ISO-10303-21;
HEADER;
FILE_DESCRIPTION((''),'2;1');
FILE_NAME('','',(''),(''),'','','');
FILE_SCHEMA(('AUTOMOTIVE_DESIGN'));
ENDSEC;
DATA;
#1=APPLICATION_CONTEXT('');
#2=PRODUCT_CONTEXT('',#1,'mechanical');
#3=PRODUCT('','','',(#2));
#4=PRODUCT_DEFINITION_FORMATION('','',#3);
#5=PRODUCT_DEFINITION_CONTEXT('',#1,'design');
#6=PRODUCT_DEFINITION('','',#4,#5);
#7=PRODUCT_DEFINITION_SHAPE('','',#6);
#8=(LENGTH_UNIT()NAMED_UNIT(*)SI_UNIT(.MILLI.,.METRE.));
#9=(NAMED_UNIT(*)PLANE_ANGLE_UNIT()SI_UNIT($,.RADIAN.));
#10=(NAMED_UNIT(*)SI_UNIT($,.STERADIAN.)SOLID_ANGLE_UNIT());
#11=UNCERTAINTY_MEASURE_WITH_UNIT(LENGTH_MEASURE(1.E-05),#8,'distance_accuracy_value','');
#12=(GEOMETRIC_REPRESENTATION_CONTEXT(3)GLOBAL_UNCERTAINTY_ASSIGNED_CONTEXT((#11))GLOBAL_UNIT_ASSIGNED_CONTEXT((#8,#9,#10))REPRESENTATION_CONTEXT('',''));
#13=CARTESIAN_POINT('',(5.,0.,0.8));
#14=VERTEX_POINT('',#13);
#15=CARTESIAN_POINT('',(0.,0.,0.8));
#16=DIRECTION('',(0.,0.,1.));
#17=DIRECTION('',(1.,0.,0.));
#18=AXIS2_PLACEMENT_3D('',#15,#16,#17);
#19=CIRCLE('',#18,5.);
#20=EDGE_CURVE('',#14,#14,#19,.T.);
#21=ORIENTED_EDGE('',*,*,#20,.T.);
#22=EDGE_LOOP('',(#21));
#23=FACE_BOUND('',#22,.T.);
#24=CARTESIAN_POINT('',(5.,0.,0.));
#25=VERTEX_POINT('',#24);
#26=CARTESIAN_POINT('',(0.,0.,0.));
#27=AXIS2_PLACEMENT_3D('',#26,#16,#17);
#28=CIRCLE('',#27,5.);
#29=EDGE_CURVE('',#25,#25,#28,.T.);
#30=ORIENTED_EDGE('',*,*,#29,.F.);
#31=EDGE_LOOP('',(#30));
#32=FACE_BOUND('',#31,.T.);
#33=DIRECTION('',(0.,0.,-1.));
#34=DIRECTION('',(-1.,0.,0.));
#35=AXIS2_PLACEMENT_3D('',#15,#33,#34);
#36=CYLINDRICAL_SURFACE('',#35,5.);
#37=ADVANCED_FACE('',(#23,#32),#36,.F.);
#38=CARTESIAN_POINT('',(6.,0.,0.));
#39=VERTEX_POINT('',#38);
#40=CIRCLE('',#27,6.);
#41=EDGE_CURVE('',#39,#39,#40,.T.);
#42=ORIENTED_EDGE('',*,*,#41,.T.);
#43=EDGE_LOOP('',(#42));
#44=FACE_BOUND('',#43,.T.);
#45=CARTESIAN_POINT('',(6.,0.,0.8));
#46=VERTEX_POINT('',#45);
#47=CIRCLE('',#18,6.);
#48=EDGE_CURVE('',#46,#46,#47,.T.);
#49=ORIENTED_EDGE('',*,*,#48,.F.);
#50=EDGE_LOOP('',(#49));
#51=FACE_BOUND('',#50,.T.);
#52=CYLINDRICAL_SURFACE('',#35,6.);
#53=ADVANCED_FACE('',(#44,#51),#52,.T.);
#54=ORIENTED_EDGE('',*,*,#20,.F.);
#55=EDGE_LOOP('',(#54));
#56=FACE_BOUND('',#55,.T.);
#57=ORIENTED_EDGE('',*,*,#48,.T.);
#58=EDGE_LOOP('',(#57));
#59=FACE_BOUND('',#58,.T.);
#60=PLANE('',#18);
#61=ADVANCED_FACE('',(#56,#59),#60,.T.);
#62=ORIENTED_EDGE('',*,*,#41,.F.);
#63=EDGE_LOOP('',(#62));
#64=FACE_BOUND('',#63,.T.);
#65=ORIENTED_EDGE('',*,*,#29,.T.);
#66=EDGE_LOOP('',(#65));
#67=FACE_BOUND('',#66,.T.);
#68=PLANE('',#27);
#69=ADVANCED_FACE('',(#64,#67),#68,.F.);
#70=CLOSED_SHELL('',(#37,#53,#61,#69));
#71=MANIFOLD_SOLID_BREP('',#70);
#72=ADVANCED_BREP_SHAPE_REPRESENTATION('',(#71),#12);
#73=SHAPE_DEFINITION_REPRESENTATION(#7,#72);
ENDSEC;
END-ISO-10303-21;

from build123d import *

# Parameters (mm, degrees)
SKICA1_R                = 6
SKICA1_R_2              = 5
P_IDAT_VYSUNUT_M1_DEPTH = 0.8


with BuildPart() as part:
    # Skica1 → Přidat vysunutím1 (new body)
    with BuildSketch(Plane.XY):
        Circle(SKICA1_R)
        Circle(SKICA1_R_2, mode=Mode.SUBTRACT)
    extrude(amount=P_IDAT_VYSUNUT_M1_DEPTH)


solid = part.part
